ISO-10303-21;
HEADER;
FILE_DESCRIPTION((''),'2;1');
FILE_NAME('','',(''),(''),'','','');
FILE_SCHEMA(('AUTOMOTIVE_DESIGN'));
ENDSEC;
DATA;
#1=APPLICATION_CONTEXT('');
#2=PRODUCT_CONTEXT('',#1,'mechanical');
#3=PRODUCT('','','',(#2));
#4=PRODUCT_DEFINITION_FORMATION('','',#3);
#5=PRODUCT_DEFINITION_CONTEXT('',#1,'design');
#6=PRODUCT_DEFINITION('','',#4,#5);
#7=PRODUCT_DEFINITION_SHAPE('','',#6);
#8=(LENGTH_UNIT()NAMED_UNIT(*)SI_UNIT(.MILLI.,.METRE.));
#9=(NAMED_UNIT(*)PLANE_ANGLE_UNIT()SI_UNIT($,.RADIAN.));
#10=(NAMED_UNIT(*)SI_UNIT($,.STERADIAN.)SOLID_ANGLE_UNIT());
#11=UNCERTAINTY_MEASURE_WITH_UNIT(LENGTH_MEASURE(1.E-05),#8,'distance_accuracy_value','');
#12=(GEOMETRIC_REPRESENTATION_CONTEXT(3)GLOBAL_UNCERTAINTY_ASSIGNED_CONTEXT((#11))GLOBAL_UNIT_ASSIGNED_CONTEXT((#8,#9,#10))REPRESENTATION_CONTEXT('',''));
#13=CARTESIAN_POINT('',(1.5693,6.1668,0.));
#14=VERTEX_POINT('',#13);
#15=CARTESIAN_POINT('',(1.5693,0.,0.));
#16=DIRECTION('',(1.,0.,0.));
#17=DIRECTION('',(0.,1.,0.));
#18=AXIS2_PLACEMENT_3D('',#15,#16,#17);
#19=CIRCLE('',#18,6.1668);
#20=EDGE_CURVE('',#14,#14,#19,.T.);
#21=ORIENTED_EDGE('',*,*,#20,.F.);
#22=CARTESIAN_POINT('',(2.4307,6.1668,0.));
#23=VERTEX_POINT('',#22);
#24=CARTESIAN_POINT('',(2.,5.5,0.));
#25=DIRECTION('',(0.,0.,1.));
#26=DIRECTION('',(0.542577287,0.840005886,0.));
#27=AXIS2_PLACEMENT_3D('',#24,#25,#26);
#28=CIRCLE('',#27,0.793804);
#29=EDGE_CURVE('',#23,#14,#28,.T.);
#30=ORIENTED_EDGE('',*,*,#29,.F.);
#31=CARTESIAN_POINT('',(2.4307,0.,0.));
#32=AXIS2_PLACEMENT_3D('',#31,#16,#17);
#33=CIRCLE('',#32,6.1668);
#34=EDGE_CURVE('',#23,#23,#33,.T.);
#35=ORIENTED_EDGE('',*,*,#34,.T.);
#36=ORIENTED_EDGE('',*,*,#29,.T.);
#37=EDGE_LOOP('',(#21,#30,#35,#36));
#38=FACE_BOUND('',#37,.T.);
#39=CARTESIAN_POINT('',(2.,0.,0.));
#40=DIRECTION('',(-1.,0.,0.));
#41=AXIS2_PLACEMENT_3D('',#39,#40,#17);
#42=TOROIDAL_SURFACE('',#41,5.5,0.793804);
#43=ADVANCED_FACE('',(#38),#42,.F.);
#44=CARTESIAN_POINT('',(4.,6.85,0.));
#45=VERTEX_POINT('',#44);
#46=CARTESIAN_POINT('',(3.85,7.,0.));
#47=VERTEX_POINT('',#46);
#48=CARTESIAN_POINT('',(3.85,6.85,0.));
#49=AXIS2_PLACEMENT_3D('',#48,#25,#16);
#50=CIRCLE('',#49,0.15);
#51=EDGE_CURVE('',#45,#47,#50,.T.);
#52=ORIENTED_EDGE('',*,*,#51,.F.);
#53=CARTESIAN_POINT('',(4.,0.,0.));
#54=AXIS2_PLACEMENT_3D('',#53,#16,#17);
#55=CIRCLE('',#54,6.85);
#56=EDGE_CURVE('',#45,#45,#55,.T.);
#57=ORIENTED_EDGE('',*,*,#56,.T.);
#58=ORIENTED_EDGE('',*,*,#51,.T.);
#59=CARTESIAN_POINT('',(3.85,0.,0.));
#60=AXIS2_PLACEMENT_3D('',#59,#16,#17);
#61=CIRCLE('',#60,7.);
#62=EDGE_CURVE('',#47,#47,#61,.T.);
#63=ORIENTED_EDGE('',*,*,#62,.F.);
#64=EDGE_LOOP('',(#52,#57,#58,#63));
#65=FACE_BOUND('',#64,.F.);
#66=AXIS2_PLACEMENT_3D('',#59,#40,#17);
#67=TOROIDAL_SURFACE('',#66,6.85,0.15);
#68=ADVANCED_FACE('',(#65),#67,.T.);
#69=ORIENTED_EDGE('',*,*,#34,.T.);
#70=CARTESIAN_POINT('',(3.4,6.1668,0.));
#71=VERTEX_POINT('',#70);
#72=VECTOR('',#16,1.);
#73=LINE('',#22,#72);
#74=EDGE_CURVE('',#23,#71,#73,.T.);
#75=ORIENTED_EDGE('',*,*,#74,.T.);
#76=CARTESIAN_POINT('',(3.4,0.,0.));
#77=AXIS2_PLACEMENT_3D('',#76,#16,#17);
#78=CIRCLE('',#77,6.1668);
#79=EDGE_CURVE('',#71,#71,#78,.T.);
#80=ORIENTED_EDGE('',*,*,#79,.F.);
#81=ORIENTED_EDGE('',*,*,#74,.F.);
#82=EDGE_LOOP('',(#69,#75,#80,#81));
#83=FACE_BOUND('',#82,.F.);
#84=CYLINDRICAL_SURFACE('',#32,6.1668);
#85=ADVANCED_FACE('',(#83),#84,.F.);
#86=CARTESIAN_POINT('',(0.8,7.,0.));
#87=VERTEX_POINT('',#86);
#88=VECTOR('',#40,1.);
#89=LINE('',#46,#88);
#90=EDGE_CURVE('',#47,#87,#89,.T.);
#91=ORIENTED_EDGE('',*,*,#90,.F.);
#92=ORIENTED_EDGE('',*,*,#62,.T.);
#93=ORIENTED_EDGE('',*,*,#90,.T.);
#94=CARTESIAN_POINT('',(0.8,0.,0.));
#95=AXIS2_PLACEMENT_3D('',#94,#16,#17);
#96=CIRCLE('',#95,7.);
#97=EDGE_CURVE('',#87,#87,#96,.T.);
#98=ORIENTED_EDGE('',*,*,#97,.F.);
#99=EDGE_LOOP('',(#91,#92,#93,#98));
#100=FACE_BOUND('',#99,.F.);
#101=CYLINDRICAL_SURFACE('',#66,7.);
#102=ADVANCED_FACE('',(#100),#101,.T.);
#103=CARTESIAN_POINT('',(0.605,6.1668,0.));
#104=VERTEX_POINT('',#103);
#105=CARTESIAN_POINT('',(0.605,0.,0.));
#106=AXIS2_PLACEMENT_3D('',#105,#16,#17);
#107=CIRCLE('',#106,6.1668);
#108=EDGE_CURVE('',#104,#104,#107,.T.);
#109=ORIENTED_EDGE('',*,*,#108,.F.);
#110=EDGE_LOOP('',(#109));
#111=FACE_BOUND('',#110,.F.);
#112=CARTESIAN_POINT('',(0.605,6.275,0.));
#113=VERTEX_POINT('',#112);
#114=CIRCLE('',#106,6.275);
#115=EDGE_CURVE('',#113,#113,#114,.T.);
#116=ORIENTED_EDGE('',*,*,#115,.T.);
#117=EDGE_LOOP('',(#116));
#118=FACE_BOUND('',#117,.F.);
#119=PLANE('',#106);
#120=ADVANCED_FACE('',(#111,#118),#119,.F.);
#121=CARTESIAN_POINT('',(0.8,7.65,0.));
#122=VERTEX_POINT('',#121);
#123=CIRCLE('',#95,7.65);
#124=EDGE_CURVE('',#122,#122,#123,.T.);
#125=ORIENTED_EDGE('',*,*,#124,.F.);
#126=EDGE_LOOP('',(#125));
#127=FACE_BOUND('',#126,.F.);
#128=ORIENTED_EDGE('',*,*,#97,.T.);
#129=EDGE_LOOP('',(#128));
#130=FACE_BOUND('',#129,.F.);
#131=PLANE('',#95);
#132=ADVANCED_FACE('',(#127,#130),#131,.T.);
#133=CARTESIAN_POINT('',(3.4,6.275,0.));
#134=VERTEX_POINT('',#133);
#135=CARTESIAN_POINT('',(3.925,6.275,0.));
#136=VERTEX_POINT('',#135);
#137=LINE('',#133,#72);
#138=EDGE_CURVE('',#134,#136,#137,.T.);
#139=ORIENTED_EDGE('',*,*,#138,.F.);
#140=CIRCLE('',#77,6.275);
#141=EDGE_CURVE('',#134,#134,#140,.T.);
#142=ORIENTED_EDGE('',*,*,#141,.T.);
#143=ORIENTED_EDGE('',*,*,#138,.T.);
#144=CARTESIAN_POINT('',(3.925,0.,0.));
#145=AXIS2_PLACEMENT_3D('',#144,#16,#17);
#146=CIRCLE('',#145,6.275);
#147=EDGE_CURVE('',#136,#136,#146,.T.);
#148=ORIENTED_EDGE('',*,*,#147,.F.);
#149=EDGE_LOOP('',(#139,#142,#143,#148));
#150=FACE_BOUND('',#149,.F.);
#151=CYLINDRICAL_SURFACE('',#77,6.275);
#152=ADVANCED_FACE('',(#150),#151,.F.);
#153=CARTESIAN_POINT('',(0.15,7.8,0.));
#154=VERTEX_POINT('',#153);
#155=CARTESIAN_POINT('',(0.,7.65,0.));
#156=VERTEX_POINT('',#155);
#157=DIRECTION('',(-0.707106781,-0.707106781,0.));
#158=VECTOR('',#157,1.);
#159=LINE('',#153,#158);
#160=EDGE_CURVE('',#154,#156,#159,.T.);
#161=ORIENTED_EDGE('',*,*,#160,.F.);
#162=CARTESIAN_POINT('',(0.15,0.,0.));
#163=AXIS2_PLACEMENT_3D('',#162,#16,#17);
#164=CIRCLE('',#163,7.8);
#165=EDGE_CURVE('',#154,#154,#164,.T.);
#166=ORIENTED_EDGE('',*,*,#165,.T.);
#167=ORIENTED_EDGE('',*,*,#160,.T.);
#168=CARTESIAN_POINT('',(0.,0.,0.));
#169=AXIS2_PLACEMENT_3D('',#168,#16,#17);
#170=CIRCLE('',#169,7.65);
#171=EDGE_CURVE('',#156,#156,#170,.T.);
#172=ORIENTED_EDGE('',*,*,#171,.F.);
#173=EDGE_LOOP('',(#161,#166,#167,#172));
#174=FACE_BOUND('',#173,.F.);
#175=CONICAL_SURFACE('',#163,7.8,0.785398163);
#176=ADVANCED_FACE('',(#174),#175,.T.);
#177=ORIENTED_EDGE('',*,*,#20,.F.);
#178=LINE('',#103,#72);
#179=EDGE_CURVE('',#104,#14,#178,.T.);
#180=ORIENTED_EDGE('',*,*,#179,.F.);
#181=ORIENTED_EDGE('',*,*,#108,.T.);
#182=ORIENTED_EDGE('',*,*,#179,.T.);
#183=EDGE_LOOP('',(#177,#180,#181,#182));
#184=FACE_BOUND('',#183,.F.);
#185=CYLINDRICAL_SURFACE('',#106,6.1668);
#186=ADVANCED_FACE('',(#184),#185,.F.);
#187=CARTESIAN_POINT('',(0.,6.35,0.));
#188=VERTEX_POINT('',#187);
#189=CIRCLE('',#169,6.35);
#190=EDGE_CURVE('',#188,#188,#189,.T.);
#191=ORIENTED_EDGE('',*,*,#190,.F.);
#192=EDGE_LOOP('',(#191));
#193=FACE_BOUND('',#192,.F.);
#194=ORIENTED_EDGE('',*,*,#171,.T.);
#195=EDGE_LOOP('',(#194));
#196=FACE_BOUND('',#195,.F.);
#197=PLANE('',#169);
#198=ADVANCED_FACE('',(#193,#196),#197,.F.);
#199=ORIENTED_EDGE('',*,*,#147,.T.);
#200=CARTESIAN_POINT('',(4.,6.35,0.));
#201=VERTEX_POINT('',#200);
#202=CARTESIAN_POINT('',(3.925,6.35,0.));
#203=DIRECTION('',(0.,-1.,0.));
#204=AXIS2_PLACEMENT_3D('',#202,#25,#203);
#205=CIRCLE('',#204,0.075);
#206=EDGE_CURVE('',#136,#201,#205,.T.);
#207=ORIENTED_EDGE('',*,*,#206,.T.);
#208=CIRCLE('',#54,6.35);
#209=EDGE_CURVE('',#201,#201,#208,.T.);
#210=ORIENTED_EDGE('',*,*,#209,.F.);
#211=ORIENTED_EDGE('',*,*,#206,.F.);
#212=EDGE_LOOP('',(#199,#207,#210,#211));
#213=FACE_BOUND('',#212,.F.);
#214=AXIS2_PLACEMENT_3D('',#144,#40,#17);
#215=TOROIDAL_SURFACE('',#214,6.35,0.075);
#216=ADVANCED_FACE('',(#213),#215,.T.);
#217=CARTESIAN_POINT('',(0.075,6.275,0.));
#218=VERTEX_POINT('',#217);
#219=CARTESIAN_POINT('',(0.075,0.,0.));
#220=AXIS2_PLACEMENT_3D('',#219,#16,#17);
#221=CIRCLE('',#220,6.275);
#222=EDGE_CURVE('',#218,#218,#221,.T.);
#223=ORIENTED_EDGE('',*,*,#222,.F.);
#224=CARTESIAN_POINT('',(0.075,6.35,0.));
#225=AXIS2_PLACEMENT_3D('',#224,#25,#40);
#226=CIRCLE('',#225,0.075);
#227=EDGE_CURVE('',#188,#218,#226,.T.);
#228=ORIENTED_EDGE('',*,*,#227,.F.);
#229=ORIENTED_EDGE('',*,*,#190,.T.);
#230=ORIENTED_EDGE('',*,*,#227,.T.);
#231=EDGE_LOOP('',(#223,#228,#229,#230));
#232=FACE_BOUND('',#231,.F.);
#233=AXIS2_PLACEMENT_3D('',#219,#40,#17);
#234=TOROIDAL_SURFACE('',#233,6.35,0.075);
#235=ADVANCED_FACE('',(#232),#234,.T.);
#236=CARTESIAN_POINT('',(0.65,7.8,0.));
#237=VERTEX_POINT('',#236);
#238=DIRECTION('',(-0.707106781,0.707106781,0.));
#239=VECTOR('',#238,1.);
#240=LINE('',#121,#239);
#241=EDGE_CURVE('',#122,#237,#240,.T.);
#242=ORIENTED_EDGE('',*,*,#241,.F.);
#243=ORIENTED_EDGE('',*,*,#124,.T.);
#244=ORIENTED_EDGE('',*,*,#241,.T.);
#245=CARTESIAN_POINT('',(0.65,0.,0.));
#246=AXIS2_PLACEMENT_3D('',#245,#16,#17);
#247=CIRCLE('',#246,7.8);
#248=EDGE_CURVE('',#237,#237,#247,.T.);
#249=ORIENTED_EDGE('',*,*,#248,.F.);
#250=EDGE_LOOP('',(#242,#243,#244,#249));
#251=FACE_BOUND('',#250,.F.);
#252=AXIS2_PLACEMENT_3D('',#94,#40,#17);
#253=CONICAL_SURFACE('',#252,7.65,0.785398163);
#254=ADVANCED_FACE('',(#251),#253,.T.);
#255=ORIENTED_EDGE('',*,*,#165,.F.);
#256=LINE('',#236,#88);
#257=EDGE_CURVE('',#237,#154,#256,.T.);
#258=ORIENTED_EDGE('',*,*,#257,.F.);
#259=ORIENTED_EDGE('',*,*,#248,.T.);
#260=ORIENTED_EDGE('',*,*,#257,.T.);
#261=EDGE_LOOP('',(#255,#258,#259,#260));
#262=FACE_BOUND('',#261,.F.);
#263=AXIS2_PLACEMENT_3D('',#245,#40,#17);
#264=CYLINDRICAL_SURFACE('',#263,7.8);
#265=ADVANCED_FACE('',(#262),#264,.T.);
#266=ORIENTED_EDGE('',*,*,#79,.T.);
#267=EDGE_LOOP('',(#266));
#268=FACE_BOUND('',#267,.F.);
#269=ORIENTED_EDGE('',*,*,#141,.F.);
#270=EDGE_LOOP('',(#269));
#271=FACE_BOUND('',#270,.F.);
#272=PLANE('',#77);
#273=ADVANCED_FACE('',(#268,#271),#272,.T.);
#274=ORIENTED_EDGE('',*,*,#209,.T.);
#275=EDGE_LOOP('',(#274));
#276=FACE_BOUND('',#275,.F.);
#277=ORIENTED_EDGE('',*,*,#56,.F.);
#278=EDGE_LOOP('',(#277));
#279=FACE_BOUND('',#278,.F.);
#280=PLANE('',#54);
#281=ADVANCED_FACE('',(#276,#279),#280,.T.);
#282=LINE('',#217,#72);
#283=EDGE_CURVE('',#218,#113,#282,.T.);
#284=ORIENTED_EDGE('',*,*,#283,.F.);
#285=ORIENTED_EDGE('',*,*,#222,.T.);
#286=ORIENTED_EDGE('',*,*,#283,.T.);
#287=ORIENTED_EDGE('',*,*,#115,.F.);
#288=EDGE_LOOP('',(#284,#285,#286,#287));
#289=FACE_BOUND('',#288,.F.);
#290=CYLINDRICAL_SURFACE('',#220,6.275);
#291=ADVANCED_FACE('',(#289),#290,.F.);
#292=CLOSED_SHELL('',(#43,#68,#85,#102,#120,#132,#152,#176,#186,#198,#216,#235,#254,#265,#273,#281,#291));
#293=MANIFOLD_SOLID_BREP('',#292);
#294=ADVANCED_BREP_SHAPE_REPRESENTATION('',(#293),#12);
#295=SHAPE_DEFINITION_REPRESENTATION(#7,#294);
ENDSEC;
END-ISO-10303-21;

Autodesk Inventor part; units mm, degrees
sketch "Sketch_3" plane through (0, 0, 0) normal (0, 0, 1) x (1, 0, 0)
  line L0 (3.85, 0) -> (0, 0)
  line L1 (0, 7.65) -> (0, 6.35)
  arc A0 (0, 6.35) -> (0.075, 6.275) centre (0.075, 6.35) ccw
  line L2 (0.075, 6.275) -> (0.605, 6.275)
  line L3 (0.605, 6.275) -> (0.605, 6.1668)
  line L4 (0.605, 6.1668) -> (1.5693, 6.1668)
  arc A1 (2.4307, 6.1668) -> (1.5693, 6.1668) centre (2, 5.5) ccw
  line L5 (2.4307, 6.1668) -> (3.4, 6.1668)
  line L6 (3.4, 6.1668) -> (3.4, 6.275)
  line L7 (3.4, 6.275) -> (3.925, 6.275)
  arc A2 (3.925, 6.275) -> (4, 6.35) centre (3.925, 6.35) ccw
  line L8 (4, 6.35) -> (4, 6.85)
  arc A3 (4, 6.85) -> (3.85, 7) centre (3.85, 6.85) ccw
  line L9 (3.85, 7) -> (0.8, 7)
  line L10 (0.8, 7) -> (0.8, 7.65)
  line L11 (0.8, 7.65) -> (0.65, 7.8)
  line L12 (0.65, 7.8) -> (0.15, 7.8)
  line L13 (0.15, 7.8) -> (0, 7.65)
revolve "Revolution1" add sketch "Sketch_3" angle 360 about axis through (3.85, 0, 0) along (1, 0, 0)
ref_plane "1_XY" through (2, 0, 0) normal (1, 0, 0) x (0, 0, -1)
ref_plane "1_YZ" through (2, 0, 0) normal (0, 0, -1) x (0, 1, 0)
ref_plane "1_ZX" through (2, 0, 0) normal (0, 1, 0) x (1, 0, 0)
properties part number "LF-1480ZZ_or" material "鋼、炭素鋼"
